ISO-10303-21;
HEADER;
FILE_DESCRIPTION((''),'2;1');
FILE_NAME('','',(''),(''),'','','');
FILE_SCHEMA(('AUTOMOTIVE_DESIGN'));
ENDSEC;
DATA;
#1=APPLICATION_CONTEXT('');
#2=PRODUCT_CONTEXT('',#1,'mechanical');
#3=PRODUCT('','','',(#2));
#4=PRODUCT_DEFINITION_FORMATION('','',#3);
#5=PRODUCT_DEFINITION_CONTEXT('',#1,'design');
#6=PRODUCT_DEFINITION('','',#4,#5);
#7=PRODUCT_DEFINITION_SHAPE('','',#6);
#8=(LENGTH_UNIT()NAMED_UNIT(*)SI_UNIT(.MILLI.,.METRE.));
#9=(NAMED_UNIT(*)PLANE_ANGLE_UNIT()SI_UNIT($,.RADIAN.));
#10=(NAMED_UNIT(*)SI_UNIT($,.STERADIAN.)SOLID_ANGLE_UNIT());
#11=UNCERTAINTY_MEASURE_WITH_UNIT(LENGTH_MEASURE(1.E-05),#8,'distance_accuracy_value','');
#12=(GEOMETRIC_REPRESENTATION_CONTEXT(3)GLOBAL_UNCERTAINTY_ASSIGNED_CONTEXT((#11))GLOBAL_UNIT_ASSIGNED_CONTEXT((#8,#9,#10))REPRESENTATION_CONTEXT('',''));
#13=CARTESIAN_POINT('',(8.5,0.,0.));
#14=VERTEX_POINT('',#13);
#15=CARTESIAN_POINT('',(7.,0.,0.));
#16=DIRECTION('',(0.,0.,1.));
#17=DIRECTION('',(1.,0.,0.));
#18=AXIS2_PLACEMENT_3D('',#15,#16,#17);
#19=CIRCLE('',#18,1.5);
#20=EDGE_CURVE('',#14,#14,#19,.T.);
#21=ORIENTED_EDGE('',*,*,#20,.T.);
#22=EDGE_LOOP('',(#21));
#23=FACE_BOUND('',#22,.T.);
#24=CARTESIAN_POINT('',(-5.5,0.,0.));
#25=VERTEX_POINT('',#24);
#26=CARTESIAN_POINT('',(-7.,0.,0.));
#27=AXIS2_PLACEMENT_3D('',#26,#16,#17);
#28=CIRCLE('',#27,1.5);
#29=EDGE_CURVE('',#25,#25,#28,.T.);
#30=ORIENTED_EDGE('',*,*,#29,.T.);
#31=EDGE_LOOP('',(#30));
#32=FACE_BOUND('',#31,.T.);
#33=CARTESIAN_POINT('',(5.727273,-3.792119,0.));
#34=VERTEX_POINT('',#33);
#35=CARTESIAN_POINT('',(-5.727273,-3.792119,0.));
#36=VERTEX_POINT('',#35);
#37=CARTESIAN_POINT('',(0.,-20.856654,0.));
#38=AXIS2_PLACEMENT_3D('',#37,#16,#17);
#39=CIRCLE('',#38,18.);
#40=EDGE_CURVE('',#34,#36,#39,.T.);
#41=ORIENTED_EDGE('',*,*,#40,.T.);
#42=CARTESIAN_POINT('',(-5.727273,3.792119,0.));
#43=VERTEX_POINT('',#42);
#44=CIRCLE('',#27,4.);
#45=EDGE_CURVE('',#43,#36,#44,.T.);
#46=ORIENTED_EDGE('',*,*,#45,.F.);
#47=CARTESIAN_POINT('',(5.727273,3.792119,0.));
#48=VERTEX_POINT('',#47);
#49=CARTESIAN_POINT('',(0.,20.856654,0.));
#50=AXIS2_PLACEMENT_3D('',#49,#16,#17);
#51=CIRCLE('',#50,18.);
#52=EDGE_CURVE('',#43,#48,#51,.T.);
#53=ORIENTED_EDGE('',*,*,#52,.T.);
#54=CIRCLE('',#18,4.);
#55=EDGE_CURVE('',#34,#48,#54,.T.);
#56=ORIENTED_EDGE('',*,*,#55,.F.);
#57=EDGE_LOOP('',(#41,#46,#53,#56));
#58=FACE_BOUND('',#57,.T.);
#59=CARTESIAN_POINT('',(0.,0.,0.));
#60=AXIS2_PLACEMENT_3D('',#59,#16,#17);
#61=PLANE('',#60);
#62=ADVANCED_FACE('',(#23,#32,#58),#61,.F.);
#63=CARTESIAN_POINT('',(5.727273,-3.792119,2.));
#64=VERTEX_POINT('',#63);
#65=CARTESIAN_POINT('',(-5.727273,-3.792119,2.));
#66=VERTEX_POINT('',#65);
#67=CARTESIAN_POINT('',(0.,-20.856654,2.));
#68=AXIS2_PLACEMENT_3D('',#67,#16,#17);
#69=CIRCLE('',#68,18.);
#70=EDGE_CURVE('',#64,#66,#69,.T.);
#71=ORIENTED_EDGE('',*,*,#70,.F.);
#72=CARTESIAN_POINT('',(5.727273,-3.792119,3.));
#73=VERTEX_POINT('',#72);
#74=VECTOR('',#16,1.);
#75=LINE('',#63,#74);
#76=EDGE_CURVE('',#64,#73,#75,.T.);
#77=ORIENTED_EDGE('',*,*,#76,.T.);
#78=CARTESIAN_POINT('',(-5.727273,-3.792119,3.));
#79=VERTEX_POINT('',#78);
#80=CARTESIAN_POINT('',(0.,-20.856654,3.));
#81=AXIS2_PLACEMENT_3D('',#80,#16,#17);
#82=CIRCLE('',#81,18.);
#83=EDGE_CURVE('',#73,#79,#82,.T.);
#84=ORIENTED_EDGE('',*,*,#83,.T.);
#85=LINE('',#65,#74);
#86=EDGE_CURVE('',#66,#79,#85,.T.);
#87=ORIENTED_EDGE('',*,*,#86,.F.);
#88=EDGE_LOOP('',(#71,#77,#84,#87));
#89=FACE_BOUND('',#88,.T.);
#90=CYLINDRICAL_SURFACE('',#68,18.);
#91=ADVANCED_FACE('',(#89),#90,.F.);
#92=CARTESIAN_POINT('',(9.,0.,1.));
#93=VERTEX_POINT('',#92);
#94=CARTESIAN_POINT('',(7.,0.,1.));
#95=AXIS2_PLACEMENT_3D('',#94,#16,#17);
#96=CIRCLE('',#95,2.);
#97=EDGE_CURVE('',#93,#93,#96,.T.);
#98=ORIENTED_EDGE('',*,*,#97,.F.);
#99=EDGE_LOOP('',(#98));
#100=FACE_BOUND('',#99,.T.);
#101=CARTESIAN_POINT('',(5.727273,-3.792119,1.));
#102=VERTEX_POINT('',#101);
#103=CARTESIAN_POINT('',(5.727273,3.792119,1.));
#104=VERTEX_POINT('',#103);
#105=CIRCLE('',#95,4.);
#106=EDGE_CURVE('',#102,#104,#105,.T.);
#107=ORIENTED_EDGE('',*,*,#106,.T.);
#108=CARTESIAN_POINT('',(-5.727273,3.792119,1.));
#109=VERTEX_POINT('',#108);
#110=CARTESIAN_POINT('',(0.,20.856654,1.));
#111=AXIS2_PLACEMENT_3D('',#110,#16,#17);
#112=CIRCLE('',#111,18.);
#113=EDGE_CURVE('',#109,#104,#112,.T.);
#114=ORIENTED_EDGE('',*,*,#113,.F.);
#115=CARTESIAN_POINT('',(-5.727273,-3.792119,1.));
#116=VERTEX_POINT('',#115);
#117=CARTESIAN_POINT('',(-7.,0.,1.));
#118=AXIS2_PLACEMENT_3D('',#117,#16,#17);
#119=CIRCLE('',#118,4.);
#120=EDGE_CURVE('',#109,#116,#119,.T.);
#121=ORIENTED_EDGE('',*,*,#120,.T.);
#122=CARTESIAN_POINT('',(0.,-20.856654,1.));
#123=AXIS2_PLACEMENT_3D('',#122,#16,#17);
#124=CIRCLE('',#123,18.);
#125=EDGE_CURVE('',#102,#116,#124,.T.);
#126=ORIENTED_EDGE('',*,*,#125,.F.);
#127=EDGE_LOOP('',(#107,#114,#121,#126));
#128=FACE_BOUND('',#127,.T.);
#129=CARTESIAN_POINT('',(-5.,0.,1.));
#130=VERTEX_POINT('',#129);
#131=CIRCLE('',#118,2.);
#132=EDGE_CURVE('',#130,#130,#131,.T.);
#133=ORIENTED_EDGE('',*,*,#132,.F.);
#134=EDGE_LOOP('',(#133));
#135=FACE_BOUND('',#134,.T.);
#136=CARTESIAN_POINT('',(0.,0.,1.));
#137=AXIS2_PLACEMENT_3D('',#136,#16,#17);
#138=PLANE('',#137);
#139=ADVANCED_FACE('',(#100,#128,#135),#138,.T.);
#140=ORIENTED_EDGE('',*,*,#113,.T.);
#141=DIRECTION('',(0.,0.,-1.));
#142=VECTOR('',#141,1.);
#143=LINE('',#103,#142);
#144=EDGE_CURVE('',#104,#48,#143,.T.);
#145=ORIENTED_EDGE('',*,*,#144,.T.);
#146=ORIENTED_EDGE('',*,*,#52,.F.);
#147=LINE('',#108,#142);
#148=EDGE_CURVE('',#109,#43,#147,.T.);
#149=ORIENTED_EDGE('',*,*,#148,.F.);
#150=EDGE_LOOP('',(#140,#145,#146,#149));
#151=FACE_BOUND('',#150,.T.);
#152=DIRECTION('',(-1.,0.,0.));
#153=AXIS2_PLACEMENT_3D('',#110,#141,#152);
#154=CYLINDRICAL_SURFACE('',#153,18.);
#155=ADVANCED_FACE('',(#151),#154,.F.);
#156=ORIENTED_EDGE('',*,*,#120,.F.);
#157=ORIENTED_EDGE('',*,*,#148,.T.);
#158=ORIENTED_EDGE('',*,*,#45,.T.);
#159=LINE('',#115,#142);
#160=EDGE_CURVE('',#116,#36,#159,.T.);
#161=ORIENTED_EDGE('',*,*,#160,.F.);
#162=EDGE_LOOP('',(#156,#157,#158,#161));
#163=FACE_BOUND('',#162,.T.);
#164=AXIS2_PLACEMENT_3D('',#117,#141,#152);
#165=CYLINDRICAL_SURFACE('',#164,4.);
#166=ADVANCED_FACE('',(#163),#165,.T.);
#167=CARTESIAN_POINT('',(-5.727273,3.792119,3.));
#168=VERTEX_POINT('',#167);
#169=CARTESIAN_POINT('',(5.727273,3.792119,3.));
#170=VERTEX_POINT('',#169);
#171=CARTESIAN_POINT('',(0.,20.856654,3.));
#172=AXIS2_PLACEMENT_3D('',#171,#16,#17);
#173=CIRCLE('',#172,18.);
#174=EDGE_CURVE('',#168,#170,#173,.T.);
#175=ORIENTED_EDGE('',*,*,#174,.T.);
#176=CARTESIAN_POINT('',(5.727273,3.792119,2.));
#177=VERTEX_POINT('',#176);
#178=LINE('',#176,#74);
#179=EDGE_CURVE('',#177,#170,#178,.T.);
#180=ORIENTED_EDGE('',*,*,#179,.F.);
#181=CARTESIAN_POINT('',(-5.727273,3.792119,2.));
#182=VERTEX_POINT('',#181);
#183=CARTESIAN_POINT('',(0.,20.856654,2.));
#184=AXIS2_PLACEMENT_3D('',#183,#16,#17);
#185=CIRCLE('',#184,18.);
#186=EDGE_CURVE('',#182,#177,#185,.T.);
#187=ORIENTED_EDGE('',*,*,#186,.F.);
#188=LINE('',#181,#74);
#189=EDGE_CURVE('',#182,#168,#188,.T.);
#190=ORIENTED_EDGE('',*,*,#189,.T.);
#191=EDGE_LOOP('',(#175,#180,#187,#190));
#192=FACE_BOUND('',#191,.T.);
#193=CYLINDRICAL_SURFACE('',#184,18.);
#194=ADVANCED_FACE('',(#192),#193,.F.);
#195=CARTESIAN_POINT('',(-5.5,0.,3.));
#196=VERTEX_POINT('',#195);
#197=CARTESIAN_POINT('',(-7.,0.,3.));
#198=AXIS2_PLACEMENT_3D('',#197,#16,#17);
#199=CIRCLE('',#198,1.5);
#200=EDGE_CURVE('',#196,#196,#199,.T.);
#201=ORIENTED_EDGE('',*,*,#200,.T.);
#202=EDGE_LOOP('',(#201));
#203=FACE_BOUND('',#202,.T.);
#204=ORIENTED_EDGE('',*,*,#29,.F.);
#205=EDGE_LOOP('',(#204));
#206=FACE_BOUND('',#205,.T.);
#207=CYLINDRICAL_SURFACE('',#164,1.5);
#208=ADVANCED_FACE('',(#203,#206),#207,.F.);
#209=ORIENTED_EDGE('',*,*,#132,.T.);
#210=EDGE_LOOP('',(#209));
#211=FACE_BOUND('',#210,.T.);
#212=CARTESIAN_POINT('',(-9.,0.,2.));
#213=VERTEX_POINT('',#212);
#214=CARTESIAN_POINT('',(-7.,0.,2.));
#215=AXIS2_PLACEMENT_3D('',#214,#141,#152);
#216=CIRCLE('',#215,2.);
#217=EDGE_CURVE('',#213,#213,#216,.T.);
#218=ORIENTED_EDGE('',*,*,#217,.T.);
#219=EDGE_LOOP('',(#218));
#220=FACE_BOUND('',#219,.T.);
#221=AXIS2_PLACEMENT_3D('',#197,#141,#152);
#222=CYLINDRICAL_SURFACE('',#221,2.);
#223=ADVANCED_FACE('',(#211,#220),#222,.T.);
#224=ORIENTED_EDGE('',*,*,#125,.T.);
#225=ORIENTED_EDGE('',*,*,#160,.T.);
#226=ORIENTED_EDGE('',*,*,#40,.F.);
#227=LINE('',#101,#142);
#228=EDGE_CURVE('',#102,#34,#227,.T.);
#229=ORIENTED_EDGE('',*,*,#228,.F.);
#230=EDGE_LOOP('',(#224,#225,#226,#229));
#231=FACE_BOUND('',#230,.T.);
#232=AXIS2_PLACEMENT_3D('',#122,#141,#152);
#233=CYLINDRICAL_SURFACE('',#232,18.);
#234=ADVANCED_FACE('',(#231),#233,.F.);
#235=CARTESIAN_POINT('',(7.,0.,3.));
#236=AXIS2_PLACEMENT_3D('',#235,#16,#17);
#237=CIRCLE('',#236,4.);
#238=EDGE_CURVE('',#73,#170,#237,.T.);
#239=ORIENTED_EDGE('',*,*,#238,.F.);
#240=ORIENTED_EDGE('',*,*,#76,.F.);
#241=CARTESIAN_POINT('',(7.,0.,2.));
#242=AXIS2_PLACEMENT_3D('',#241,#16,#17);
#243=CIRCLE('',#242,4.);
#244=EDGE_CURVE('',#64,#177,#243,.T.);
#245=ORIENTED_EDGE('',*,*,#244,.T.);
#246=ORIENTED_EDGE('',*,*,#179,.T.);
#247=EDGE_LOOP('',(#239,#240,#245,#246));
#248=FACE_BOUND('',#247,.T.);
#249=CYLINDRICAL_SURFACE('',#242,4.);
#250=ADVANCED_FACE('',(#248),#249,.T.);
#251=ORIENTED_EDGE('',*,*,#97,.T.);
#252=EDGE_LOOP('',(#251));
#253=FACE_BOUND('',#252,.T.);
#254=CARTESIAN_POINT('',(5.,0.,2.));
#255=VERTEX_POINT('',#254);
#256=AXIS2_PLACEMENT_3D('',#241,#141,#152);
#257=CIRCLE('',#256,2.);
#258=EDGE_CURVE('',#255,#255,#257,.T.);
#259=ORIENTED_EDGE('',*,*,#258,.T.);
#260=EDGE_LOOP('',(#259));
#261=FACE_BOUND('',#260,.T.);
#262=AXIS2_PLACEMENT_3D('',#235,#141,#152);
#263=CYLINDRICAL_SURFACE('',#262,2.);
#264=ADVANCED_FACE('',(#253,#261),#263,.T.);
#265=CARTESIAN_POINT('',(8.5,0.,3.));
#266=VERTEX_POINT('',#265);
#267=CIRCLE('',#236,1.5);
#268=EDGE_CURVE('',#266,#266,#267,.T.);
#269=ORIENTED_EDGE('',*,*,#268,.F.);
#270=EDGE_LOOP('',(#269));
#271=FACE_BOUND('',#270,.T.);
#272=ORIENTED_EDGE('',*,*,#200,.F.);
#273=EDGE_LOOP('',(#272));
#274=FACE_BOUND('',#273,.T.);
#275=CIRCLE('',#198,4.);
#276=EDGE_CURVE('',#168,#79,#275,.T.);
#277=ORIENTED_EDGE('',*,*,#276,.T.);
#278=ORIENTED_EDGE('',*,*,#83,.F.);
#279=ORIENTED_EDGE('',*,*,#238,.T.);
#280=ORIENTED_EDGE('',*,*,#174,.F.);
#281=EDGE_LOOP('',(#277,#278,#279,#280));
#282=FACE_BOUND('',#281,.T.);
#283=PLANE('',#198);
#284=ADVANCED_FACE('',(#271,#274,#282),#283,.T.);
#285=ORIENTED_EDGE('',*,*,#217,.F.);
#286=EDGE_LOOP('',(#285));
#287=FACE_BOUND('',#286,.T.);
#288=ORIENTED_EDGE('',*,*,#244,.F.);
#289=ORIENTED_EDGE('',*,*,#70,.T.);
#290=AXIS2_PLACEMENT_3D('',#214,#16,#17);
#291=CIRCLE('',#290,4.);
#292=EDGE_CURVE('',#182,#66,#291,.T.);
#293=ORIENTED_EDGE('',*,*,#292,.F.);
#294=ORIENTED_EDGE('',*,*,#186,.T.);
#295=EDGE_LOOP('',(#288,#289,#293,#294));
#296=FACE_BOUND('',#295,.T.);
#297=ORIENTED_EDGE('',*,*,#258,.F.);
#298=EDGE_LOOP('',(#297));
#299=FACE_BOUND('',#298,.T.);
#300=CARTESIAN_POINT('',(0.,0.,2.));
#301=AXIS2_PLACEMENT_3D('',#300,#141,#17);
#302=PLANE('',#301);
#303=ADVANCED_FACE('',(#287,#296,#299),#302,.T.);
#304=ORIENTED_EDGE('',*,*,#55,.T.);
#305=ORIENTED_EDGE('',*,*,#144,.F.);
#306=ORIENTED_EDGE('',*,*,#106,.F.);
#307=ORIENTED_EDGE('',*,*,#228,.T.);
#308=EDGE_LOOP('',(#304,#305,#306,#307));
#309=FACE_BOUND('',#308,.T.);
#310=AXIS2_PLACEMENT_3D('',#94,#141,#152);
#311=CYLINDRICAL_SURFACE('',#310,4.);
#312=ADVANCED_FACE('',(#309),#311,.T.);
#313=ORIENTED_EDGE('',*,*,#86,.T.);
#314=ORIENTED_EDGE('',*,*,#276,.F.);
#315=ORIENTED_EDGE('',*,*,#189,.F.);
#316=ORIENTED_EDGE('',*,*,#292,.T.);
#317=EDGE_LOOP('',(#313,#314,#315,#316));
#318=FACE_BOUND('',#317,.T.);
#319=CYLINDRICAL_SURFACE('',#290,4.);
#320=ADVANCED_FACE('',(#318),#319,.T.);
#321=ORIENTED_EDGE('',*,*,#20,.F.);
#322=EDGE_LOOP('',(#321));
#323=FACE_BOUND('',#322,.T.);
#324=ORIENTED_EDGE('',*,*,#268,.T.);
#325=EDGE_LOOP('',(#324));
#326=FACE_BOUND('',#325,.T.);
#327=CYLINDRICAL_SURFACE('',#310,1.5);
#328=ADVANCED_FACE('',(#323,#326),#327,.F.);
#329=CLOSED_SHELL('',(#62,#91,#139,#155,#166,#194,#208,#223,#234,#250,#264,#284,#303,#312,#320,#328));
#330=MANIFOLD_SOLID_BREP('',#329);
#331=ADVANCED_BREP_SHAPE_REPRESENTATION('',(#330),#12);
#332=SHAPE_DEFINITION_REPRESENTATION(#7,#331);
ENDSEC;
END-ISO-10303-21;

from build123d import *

# Parameters (mm, degrees)
SKETCH1_R           = 1.5
BOSS_EXTRUDE1_DEPTH = 1
SKETCH2_R           = 2
SKETCH2_R_2         = 1.5
BOSS_EXTRUDE2_DEPTH = 2


with BuildPart() as part:
    # Sketch1 → Boss-Extrude1 (new body)
    with BuildSketch(Plane.XY):
        with BuildLine():
            ThreePointArc((-5.727272727, 3.792118839), (-11, 0), (-5.727272727, -3.792118839))
            ThreePointArc((-5.727272727, -3.792118839), (0, -2.856653615), (5.727272727, -3.792118839))
            ThreePointArc((5.727272727, -3.792118839), (11, 0), (5.727272727, 3.792118839))
            ThreePointArc((5.727272727, 3.792118839), (0, 2.856653615), (-5.727272727, 3.792118839))
        make_face()
        with Locations((-7, 0)):
            Circle(SKETCH1_R, mode=Mode.SUBTRACT)
        with Locations((7, 0)):
            Circle(SKETCH1_R, mode=Mode.SUBTRACT)
    boss_extrude1 = extrude(amount=BOSS_EXTRUDE1_DEPTH)

    # Sketch2 → Boss-Extrude2 (add)
    with BuildSketch(Plane.XY.offset(1)):
        with Locations((-7, 0)):
            Circle(SKETCH2_R)
        with Locations((-7, 0)):
            Circle(SKETCH2_R_2, mode=Mode.SUBTRACT)
        with Locations((7, 0)):
            Circle(SKETCH2_R)
        with Locations((7, 0)):
            Circle(SKETCH2_R_2, mode=Mode.SUBTRACT)
    extrude(amount=BOSS_EXTRUDE2_DEPTH)

    # Mirror1: Boss-Extrude1 across plane
    add(boss_extrude1.mirror(Plane.XY.offset(1.5)))


solid = part.part
